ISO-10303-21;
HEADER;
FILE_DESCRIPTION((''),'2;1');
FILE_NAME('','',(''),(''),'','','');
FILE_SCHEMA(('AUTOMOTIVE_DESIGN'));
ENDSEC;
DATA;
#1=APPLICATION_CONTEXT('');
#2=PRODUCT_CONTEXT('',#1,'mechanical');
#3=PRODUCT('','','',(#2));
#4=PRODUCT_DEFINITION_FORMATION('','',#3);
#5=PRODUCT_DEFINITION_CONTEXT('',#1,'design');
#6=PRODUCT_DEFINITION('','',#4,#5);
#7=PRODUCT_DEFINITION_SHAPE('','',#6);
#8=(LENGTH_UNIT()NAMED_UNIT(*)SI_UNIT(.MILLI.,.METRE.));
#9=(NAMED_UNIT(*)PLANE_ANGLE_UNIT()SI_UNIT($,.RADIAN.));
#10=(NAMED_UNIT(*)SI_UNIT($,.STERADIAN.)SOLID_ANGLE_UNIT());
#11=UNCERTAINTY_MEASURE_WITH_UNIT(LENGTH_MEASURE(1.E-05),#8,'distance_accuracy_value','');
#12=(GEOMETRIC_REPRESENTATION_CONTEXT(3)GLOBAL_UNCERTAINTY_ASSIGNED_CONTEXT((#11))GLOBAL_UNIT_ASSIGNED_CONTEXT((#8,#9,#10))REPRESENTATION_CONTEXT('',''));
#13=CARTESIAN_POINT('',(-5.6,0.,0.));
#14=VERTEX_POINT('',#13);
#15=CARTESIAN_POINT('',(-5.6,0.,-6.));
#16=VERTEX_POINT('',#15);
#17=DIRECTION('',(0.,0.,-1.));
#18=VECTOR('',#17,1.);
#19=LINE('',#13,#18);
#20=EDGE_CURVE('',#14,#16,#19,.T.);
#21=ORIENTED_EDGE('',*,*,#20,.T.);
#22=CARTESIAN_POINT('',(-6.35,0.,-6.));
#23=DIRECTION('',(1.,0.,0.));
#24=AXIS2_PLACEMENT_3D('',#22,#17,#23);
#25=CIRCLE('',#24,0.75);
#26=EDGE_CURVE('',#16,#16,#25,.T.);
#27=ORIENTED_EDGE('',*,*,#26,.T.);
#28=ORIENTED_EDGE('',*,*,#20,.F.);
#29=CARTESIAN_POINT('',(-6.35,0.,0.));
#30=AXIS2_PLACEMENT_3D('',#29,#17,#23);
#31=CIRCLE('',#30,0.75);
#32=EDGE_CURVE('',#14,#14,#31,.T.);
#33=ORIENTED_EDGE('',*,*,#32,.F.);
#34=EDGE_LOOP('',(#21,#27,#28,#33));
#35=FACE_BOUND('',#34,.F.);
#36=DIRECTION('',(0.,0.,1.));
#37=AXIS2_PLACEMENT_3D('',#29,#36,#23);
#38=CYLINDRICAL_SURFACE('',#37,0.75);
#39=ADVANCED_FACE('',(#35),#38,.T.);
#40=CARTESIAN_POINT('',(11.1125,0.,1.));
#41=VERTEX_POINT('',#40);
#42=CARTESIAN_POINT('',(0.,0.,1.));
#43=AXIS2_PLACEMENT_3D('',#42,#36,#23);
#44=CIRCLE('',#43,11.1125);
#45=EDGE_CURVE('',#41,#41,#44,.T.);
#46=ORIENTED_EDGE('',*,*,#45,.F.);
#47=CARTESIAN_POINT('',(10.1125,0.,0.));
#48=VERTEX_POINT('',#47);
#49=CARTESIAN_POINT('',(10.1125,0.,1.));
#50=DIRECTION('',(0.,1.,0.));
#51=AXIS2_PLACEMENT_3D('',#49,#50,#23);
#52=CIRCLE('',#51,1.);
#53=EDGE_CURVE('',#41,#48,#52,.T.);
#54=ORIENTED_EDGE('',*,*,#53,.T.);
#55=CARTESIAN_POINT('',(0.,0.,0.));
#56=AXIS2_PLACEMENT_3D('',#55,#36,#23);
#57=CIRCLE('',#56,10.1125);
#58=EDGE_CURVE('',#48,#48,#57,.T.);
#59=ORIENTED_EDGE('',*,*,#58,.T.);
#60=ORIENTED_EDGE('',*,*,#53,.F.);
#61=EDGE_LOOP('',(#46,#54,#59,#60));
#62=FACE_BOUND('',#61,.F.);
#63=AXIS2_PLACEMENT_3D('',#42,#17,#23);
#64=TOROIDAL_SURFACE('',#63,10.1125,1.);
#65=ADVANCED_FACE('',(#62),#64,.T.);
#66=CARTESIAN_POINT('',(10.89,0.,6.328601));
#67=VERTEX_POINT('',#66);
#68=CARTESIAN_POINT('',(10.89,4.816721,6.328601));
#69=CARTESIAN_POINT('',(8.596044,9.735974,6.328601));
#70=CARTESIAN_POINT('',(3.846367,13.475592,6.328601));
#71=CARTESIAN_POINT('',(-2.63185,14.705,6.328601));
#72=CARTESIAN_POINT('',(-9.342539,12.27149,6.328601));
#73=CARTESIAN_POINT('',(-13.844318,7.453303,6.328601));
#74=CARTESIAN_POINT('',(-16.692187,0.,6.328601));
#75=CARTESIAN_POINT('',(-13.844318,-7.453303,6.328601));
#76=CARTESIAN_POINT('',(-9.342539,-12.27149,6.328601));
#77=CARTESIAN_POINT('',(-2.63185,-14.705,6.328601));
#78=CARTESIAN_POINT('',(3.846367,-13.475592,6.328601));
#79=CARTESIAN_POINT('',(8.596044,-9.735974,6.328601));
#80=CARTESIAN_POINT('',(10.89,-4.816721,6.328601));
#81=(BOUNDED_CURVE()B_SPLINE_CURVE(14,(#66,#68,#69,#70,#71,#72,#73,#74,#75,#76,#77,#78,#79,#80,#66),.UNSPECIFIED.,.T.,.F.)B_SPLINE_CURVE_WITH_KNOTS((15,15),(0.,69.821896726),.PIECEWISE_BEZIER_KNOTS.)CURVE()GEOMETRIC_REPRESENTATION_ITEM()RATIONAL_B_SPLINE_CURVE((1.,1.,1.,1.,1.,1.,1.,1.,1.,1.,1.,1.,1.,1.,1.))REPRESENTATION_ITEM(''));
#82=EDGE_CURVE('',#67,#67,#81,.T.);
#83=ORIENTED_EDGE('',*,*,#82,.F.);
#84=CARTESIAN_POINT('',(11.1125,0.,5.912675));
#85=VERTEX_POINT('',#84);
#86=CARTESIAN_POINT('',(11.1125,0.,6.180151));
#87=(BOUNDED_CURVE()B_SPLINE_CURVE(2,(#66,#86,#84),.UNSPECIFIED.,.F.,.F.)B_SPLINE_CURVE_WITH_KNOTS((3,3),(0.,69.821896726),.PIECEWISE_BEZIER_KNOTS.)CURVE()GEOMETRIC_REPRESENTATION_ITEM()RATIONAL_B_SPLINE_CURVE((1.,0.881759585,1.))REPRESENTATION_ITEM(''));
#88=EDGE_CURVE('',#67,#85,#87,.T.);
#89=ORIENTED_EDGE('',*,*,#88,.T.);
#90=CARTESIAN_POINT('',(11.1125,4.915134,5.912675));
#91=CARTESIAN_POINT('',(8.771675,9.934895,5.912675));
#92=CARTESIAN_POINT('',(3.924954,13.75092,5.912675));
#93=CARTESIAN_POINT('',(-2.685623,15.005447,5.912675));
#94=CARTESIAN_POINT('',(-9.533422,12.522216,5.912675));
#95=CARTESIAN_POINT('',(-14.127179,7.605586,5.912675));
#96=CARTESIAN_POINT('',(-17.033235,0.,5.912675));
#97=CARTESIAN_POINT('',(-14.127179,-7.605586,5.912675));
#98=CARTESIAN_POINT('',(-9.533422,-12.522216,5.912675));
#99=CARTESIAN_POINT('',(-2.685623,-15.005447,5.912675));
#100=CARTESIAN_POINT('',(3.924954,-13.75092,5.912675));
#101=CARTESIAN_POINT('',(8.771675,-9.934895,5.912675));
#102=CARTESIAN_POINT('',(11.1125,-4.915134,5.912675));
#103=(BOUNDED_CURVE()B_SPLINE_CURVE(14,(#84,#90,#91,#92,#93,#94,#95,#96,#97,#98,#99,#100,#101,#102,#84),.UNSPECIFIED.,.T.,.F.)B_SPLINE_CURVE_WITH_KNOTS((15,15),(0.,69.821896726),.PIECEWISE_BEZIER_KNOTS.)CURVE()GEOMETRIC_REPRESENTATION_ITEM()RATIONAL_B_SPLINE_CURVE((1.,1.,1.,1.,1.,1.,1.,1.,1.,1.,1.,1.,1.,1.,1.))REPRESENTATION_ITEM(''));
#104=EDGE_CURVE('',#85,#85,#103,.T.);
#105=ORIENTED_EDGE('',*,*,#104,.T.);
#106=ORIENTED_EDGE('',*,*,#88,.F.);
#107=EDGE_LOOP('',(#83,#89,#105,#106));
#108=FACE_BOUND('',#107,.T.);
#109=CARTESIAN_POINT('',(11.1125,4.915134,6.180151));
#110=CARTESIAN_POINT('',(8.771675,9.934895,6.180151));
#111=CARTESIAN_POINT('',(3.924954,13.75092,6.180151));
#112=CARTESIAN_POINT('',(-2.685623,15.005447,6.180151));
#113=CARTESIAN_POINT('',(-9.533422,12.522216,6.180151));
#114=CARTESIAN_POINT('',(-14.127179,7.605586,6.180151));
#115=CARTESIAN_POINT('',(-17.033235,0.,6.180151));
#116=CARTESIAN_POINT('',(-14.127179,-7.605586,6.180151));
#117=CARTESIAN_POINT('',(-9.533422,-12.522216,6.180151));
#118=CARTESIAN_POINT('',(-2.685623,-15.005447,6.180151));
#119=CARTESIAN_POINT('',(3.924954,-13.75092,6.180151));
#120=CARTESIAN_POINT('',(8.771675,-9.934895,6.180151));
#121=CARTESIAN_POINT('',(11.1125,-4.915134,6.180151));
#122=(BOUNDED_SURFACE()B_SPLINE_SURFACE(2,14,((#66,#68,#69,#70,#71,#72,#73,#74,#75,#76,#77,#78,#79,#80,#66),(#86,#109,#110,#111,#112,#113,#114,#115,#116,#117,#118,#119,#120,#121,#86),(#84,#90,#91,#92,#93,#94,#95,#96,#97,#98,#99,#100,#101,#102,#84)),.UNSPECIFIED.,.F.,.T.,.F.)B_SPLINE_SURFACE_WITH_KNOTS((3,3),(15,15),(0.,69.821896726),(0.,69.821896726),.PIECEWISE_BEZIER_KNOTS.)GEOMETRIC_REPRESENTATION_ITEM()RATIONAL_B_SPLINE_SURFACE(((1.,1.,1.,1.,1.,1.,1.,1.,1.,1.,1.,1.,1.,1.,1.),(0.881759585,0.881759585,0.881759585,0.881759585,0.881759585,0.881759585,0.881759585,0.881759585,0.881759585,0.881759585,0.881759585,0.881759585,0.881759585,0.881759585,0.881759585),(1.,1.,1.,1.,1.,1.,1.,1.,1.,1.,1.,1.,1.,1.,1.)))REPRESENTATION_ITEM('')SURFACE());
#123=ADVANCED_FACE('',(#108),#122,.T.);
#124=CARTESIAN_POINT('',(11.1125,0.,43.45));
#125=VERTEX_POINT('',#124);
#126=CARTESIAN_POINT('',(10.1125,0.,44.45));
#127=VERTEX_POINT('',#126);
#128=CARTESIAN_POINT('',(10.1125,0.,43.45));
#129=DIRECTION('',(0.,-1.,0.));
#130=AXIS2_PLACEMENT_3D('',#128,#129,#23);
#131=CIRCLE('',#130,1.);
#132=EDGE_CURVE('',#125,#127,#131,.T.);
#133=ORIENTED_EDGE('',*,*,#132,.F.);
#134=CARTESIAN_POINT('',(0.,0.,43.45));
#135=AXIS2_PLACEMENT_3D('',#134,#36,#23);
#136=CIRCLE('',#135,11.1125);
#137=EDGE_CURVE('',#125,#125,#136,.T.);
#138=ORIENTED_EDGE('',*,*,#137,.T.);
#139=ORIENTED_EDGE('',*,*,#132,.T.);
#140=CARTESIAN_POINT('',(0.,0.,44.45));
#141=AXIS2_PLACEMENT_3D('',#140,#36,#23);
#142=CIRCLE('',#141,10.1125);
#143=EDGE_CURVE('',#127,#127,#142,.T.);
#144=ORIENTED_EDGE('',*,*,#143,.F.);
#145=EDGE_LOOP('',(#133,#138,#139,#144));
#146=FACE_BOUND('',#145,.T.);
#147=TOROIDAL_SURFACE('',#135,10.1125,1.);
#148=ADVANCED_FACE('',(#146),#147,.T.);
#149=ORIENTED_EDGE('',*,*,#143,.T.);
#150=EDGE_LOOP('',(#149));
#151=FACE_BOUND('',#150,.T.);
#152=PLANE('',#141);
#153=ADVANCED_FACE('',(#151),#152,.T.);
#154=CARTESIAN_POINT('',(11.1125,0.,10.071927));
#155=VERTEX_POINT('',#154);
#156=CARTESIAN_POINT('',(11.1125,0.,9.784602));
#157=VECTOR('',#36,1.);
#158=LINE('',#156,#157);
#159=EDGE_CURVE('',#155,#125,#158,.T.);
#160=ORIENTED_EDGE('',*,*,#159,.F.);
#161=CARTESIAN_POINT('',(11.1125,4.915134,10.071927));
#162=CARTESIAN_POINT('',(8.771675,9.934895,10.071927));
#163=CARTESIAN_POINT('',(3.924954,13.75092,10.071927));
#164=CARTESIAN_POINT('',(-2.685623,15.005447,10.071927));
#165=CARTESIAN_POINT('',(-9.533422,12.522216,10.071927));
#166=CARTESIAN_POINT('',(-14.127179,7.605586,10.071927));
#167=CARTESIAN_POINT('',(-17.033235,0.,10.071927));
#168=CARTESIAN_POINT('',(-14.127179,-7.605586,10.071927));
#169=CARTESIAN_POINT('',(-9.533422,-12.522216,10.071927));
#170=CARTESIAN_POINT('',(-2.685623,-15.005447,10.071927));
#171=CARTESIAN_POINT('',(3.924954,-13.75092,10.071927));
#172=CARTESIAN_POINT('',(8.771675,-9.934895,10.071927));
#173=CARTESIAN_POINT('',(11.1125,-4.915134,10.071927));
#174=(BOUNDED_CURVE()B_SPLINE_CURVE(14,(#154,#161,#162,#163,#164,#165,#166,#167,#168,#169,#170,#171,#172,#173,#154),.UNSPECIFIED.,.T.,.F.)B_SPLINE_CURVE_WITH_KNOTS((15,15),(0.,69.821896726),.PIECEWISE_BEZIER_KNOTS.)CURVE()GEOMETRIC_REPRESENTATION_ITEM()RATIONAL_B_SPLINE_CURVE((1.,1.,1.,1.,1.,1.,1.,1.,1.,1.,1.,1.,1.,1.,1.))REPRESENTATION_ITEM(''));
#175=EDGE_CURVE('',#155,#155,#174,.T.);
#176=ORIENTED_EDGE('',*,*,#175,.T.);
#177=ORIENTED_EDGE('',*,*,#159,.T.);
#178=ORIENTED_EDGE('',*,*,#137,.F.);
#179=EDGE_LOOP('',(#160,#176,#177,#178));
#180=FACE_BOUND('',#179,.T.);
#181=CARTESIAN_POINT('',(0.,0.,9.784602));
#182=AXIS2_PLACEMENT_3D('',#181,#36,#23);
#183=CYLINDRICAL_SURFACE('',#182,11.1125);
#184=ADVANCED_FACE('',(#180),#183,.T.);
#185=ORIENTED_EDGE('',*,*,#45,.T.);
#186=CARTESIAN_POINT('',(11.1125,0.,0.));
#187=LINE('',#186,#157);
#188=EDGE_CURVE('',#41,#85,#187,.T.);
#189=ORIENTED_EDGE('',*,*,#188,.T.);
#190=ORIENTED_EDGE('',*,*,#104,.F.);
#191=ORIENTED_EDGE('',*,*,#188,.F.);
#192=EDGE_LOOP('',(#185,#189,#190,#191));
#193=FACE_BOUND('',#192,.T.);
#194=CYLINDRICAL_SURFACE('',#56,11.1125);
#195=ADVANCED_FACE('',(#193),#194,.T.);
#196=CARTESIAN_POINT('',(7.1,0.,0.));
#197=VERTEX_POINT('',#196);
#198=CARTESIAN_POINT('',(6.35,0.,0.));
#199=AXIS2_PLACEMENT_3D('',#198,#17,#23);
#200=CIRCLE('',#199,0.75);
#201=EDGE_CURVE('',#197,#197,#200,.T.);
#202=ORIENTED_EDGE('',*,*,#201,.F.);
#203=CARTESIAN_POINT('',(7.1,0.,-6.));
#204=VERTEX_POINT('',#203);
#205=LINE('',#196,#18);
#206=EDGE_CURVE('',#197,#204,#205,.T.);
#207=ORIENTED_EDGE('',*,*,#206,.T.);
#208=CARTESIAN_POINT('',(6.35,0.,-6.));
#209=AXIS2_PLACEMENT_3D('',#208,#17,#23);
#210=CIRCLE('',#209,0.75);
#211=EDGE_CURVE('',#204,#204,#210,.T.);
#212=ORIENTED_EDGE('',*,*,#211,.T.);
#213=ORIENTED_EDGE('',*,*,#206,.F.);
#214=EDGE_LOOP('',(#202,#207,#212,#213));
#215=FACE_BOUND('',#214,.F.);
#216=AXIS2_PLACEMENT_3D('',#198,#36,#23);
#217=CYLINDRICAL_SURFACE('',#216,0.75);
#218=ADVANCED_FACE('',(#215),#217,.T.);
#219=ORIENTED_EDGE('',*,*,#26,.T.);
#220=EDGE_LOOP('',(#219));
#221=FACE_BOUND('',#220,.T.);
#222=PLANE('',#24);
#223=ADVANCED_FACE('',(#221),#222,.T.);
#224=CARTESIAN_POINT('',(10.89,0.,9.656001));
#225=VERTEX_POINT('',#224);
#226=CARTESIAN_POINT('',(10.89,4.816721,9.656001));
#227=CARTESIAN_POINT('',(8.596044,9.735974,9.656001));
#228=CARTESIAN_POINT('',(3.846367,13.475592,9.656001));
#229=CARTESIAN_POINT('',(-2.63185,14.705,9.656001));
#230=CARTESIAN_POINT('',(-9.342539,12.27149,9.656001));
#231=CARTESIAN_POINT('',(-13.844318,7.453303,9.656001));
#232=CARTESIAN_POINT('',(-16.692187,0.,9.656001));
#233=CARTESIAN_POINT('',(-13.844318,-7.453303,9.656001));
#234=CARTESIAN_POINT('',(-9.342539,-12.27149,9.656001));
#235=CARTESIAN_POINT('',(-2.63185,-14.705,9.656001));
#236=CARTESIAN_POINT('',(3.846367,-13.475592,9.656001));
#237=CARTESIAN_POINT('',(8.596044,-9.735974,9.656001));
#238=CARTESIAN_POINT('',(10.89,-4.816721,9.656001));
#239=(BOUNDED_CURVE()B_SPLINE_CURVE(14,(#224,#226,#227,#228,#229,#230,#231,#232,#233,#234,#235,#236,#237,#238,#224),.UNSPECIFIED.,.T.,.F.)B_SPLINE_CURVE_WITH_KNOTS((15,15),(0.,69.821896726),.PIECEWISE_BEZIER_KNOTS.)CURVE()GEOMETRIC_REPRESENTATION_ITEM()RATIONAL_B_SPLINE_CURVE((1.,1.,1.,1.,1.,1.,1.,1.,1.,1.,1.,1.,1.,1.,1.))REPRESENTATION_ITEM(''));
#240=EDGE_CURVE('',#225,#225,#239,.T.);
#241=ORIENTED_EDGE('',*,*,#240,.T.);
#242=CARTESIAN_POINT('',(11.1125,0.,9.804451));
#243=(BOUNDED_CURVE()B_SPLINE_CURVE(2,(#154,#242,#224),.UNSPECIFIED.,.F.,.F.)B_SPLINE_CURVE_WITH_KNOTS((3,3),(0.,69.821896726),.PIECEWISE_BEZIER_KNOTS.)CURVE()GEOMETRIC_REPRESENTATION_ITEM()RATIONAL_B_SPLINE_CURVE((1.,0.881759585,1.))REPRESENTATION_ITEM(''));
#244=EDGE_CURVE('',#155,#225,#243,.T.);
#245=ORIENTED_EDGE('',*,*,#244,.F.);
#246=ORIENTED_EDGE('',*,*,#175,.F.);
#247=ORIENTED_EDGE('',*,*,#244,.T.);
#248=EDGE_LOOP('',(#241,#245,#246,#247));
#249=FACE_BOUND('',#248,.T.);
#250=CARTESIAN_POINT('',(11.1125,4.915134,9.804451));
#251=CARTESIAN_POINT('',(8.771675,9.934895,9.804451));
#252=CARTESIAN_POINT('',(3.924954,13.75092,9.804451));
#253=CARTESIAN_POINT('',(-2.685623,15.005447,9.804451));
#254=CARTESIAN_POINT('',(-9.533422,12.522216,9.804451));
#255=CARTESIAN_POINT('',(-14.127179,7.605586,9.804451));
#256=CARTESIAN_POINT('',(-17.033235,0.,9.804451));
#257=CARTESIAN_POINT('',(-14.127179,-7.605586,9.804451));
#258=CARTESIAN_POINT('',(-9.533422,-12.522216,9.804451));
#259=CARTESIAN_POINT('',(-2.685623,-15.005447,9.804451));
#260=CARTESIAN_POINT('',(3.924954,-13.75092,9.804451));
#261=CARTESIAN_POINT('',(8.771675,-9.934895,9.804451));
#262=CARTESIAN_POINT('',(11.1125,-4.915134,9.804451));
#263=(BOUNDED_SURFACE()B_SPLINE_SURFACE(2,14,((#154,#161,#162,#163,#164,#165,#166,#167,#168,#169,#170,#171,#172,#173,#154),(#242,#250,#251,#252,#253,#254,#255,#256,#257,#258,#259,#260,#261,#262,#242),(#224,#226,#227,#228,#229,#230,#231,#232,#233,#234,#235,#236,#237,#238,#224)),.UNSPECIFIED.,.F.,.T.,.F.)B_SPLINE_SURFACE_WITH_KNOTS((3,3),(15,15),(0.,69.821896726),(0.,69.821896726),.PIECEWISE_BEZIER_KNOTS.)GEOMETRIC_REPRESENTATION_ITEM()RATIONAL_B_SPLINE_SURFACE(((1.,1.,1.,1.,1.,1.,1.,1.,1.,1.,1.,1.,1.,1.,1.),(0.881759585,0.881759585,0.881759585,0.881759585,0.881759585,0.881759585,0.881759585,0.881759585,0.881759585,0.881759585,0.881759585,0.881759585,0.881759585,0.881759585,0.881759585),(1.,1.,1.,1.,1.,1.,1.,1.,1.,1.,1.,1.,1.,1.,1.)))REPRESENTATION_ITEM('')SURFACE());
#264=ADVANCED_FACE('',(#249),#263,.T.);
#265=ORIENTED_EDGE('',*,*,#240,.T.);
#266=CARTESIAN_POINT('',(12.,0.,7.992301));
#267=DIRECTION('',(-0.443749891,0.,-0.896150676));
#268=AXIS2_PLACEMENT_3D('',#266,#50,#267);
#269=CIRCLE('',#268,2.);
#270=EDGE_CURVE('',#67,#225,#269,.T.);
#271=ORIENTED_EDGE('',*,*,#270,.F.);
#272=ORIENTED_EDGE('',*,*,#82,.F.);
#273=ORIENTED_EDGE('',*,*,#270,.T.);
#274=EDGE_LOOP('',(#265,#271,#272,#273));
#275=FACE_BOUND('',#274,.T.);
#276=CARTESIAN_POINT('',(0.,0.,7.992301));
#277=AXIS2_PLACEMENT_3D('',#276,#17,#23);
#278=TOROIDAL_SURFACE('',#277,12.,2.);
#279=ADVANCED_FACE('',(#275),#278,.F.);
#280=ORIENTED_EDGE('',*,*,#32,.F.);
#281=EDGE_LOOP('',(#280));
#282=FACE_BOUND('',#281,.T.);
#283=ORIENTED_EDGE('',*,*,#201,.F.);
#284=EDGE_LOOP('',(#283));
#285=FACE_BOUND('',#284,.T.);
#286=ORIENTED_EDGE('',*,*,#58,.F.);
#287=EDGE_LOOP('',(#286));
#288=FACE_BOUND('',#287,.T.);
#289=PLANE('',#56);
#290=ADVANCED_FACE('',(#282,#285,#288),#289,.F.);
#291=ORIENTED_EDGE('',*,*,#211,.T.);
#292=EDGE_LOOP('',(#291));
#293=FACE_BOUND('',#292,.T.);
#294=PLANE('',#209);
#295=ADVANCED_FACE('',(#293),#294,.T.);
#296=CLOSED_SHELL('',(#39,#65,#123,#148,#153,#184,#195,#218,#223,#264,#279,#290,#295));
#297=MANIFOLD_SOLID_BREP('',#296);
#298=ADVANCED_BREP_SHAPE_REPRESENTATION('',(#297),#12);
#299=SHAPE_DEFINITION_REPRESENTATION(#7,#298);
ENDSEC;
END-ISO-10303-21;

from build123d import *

# Parameters (mm, degrees)
F2_R     = 1
F3_R     = 0.5
F4_R     = 1
F5_R     = 0.75
F6_DEPTH = 6


with BuildPart() as f1:
    # F0 (on Front) → F1 (revolve)
    with BuildSketch(Plane.XZ):
        with BuildLine():
            Line((0, 44.45), (0, 0))
            Line((0, 0), (11.1125, 0))
            Line((11.1125, 0), (11.1125, 6.2))
            ThreePointArc((11.1125, 6.2), (10, 7.992301), (11.1125, 9.784602))
            Line((11.1125, 9.784602), (11.1125, 44.45))
            Line((11.1125, 44.45), (0, 44.45))
        make_face()
    revolve(axis=Axis((0, 0, 22.225), (0, 0, 1)))

    # F2
    f2_edges = [f1.edges().sort_by_distance(p)[0] for p in [
        (-11.1125, 0, 44.45),
    ]]
    fillet(f2_edges, radius=F2_R)

    # F3
    f3_edges = [f1.edges().sort_by_distance(p)[0] for p in [
        (11.1125, 0, 26.617301),
        (-11.1125, 0, 43.45),
        (-11.1125, 0, 9.784602),
        (-11.1125, 0, 6.2),
    ]]
    fillet(f3_edges, radius=F3_R)

    # F4
    f4_edges = [f1.edges().sort_by_distance(p)[0] for p in [
        (-11.1125, 0, 0),
    ]]
    fillet(f4_edges, radius=F4_R)

    # F5 (on face) → F6 (join)
    with BuildSketch(Plane(origin=(0, 0, 0), x_dir=(1, 0, 0), z_dir=(0, 0, -1))):
        with Locations((-6.35, 0)):
            Circle(F5_R)
        with Locations((6.35, 0)):
            Circle(F5_R)
    extrude(amount=F6_DEPTH)


solid = f1.part
